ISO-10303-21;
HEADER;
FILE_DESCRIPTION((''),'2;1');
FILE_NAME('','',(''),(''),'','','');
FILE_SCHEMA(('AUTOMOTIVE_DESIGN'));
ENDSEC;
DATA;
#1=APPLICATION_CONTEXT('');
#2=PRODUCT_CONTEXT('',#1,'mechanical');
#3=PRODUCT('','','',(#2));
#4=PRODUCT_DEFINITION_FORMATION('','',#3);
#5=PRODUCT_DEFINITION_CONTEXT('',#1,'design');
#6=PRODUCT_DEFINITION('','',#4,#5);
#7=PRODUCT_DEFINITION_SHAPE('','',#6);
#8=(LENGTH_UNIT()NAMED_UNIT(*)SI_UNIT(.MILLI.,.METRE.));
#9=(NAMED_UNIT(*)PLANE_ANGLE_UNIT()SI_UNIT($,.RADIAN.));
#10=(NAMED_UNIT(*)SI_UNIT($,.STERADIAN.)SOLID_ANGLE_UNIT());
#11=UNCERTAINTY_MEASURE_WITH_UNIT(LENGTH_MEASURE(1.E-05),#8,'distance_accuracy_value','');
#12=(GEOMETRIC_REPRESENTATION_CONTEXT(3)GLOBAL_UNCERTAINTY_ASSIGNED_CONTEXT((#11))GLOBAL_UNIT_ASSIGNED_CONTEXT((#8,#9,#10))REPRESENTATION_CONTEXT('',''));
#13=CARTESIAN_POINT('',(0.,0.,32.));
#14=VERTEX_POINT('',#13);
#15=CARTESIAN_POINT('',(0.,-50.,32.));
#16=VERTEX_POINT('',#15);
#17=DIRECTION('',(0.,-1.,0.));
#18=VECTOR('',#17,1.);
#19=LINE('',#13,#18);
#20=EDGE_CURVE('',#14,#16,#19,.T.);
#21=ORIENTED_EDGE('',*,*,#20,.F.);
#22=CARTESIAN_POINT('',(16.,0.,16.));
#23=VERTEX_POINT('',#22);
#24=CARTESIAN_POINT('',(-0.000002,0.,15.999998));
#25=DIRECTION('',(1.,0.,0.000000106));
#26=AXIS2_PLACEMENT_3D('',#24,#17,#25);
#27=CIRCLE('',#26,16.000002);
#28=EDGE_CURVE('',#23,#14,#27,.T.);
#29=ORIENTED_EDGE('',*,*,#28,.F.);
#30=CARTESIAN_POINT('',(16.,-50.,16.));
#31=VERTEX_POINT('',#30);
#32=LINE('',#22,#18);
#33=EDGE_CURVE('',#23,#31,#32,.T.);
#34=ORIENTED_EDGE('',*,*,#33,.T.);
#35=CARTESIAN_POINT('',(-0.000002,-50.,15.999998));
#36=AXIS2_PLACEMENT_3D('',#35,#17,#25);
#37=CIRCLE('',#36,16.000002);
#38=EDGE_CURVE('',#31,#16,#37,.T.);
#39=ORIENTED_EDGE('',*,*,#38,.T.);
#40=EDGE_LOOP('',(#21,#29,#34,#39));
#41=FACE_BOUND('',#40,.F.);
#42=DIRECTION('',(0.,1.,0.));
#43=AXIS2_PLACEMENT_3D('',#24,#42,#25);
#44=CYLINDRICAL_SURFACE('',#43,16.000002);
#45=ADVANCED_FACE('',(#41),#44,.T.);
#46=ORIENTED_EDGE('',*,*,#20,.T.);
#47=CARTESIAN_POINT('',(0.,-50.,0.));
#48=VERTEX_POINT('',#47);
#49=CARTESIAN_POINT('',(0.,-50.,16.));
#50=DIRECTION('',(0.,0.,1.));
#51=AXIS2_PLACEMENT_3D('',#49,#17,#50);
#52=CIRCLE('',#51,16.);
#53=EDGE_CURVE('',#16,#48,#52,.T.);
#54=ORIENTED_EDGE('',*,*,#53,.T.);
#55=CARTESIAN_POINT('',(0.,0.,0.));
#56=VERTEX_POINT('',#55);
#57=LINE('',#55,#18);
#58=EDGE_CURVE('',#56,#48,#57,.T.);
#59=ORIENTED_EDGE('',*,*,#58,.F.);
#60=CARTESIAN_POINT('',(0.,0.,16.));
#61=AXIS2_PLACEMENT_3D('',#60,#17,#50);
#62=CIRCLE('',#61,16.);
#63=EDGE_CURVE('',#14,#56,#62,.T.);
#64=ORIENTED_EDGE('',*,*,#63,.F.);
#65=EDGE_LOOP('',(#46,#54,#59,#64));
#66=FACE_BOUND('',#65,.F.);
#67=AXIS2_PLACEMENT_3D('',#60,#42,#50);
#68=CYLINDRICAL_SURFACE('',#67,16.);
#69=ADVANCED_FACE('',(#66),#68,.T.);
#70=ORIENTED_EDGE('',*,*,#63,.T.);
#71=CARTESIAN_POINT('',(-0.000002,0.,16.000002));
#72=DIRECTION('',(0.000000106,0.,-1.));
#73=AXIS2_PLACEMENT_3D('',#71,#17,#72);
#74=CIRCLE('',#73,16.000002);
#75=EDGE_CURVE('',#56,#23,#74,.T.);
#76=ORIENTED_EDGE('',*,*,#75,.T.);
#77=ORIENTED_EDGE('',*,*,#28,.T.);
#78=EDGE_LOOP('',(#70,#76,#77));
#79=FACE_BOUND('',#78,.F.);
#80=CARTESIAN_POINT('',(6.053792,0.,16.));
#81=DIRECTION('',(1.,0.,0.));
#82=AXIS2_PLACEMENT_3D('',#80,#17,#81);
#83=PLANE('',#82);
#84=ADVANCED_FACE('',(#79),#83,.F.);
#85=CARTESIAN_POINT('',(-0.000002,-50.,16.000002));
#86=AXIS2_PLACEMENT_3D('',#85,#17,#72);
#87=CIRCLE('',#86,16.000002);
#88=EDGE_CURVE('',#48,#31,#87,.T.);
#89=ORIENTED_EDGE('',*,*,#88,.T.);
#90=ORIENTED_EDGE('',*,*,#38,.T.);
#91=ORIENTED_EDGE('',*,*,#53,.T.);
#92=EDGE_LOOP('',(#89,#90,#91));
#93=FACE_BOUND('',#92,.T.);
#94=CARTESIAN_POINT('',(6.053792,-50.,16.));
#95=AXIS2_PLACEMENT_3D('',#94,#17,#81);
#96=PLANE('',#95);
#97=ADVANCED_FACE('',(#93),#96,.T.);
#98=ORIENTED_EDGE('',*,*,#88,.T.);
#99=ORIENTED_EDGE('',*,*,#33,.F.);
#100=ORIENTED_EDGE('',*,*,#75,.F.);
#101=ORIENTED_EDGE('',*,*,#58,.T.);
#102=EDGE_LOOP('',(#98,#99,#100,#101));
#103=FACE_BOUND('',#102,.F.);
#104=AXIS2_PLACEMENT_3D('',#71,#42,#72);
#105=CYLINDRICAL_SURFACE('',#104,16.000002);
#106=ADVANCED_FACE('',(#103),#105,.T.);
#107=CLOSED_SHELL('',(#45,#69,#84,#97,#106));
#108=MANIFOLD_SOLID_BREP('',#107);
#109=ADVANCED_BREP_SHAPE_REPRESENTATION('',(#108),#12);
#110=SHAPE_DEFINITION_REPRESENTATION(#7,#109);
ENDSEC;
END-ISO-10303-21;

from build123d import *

# Parameters (mm, degrees)
F1_DEPTH = 50


with BuildPart() as f1:
    # F0 (on Front) → F1 (new body)
    with BuildSketch(Plane.XZ):
        with BuildLine():
            Line((0, 32), (0, 0))
            ThreePointArc((0, 0), (11.313708, 4.686292), (16, 16))
            ThreePointArc((16, 16), (11.313708, 27.313708), (0, 32))
        make_face()
        with BuildLine():
            ThreePointArc((0, 32), (-16, 16), (0, 0))
            Line((0, 0), (0, 32))
        make_face()
    extrude(amount=F1_DEPTH)


solid = f1.part
